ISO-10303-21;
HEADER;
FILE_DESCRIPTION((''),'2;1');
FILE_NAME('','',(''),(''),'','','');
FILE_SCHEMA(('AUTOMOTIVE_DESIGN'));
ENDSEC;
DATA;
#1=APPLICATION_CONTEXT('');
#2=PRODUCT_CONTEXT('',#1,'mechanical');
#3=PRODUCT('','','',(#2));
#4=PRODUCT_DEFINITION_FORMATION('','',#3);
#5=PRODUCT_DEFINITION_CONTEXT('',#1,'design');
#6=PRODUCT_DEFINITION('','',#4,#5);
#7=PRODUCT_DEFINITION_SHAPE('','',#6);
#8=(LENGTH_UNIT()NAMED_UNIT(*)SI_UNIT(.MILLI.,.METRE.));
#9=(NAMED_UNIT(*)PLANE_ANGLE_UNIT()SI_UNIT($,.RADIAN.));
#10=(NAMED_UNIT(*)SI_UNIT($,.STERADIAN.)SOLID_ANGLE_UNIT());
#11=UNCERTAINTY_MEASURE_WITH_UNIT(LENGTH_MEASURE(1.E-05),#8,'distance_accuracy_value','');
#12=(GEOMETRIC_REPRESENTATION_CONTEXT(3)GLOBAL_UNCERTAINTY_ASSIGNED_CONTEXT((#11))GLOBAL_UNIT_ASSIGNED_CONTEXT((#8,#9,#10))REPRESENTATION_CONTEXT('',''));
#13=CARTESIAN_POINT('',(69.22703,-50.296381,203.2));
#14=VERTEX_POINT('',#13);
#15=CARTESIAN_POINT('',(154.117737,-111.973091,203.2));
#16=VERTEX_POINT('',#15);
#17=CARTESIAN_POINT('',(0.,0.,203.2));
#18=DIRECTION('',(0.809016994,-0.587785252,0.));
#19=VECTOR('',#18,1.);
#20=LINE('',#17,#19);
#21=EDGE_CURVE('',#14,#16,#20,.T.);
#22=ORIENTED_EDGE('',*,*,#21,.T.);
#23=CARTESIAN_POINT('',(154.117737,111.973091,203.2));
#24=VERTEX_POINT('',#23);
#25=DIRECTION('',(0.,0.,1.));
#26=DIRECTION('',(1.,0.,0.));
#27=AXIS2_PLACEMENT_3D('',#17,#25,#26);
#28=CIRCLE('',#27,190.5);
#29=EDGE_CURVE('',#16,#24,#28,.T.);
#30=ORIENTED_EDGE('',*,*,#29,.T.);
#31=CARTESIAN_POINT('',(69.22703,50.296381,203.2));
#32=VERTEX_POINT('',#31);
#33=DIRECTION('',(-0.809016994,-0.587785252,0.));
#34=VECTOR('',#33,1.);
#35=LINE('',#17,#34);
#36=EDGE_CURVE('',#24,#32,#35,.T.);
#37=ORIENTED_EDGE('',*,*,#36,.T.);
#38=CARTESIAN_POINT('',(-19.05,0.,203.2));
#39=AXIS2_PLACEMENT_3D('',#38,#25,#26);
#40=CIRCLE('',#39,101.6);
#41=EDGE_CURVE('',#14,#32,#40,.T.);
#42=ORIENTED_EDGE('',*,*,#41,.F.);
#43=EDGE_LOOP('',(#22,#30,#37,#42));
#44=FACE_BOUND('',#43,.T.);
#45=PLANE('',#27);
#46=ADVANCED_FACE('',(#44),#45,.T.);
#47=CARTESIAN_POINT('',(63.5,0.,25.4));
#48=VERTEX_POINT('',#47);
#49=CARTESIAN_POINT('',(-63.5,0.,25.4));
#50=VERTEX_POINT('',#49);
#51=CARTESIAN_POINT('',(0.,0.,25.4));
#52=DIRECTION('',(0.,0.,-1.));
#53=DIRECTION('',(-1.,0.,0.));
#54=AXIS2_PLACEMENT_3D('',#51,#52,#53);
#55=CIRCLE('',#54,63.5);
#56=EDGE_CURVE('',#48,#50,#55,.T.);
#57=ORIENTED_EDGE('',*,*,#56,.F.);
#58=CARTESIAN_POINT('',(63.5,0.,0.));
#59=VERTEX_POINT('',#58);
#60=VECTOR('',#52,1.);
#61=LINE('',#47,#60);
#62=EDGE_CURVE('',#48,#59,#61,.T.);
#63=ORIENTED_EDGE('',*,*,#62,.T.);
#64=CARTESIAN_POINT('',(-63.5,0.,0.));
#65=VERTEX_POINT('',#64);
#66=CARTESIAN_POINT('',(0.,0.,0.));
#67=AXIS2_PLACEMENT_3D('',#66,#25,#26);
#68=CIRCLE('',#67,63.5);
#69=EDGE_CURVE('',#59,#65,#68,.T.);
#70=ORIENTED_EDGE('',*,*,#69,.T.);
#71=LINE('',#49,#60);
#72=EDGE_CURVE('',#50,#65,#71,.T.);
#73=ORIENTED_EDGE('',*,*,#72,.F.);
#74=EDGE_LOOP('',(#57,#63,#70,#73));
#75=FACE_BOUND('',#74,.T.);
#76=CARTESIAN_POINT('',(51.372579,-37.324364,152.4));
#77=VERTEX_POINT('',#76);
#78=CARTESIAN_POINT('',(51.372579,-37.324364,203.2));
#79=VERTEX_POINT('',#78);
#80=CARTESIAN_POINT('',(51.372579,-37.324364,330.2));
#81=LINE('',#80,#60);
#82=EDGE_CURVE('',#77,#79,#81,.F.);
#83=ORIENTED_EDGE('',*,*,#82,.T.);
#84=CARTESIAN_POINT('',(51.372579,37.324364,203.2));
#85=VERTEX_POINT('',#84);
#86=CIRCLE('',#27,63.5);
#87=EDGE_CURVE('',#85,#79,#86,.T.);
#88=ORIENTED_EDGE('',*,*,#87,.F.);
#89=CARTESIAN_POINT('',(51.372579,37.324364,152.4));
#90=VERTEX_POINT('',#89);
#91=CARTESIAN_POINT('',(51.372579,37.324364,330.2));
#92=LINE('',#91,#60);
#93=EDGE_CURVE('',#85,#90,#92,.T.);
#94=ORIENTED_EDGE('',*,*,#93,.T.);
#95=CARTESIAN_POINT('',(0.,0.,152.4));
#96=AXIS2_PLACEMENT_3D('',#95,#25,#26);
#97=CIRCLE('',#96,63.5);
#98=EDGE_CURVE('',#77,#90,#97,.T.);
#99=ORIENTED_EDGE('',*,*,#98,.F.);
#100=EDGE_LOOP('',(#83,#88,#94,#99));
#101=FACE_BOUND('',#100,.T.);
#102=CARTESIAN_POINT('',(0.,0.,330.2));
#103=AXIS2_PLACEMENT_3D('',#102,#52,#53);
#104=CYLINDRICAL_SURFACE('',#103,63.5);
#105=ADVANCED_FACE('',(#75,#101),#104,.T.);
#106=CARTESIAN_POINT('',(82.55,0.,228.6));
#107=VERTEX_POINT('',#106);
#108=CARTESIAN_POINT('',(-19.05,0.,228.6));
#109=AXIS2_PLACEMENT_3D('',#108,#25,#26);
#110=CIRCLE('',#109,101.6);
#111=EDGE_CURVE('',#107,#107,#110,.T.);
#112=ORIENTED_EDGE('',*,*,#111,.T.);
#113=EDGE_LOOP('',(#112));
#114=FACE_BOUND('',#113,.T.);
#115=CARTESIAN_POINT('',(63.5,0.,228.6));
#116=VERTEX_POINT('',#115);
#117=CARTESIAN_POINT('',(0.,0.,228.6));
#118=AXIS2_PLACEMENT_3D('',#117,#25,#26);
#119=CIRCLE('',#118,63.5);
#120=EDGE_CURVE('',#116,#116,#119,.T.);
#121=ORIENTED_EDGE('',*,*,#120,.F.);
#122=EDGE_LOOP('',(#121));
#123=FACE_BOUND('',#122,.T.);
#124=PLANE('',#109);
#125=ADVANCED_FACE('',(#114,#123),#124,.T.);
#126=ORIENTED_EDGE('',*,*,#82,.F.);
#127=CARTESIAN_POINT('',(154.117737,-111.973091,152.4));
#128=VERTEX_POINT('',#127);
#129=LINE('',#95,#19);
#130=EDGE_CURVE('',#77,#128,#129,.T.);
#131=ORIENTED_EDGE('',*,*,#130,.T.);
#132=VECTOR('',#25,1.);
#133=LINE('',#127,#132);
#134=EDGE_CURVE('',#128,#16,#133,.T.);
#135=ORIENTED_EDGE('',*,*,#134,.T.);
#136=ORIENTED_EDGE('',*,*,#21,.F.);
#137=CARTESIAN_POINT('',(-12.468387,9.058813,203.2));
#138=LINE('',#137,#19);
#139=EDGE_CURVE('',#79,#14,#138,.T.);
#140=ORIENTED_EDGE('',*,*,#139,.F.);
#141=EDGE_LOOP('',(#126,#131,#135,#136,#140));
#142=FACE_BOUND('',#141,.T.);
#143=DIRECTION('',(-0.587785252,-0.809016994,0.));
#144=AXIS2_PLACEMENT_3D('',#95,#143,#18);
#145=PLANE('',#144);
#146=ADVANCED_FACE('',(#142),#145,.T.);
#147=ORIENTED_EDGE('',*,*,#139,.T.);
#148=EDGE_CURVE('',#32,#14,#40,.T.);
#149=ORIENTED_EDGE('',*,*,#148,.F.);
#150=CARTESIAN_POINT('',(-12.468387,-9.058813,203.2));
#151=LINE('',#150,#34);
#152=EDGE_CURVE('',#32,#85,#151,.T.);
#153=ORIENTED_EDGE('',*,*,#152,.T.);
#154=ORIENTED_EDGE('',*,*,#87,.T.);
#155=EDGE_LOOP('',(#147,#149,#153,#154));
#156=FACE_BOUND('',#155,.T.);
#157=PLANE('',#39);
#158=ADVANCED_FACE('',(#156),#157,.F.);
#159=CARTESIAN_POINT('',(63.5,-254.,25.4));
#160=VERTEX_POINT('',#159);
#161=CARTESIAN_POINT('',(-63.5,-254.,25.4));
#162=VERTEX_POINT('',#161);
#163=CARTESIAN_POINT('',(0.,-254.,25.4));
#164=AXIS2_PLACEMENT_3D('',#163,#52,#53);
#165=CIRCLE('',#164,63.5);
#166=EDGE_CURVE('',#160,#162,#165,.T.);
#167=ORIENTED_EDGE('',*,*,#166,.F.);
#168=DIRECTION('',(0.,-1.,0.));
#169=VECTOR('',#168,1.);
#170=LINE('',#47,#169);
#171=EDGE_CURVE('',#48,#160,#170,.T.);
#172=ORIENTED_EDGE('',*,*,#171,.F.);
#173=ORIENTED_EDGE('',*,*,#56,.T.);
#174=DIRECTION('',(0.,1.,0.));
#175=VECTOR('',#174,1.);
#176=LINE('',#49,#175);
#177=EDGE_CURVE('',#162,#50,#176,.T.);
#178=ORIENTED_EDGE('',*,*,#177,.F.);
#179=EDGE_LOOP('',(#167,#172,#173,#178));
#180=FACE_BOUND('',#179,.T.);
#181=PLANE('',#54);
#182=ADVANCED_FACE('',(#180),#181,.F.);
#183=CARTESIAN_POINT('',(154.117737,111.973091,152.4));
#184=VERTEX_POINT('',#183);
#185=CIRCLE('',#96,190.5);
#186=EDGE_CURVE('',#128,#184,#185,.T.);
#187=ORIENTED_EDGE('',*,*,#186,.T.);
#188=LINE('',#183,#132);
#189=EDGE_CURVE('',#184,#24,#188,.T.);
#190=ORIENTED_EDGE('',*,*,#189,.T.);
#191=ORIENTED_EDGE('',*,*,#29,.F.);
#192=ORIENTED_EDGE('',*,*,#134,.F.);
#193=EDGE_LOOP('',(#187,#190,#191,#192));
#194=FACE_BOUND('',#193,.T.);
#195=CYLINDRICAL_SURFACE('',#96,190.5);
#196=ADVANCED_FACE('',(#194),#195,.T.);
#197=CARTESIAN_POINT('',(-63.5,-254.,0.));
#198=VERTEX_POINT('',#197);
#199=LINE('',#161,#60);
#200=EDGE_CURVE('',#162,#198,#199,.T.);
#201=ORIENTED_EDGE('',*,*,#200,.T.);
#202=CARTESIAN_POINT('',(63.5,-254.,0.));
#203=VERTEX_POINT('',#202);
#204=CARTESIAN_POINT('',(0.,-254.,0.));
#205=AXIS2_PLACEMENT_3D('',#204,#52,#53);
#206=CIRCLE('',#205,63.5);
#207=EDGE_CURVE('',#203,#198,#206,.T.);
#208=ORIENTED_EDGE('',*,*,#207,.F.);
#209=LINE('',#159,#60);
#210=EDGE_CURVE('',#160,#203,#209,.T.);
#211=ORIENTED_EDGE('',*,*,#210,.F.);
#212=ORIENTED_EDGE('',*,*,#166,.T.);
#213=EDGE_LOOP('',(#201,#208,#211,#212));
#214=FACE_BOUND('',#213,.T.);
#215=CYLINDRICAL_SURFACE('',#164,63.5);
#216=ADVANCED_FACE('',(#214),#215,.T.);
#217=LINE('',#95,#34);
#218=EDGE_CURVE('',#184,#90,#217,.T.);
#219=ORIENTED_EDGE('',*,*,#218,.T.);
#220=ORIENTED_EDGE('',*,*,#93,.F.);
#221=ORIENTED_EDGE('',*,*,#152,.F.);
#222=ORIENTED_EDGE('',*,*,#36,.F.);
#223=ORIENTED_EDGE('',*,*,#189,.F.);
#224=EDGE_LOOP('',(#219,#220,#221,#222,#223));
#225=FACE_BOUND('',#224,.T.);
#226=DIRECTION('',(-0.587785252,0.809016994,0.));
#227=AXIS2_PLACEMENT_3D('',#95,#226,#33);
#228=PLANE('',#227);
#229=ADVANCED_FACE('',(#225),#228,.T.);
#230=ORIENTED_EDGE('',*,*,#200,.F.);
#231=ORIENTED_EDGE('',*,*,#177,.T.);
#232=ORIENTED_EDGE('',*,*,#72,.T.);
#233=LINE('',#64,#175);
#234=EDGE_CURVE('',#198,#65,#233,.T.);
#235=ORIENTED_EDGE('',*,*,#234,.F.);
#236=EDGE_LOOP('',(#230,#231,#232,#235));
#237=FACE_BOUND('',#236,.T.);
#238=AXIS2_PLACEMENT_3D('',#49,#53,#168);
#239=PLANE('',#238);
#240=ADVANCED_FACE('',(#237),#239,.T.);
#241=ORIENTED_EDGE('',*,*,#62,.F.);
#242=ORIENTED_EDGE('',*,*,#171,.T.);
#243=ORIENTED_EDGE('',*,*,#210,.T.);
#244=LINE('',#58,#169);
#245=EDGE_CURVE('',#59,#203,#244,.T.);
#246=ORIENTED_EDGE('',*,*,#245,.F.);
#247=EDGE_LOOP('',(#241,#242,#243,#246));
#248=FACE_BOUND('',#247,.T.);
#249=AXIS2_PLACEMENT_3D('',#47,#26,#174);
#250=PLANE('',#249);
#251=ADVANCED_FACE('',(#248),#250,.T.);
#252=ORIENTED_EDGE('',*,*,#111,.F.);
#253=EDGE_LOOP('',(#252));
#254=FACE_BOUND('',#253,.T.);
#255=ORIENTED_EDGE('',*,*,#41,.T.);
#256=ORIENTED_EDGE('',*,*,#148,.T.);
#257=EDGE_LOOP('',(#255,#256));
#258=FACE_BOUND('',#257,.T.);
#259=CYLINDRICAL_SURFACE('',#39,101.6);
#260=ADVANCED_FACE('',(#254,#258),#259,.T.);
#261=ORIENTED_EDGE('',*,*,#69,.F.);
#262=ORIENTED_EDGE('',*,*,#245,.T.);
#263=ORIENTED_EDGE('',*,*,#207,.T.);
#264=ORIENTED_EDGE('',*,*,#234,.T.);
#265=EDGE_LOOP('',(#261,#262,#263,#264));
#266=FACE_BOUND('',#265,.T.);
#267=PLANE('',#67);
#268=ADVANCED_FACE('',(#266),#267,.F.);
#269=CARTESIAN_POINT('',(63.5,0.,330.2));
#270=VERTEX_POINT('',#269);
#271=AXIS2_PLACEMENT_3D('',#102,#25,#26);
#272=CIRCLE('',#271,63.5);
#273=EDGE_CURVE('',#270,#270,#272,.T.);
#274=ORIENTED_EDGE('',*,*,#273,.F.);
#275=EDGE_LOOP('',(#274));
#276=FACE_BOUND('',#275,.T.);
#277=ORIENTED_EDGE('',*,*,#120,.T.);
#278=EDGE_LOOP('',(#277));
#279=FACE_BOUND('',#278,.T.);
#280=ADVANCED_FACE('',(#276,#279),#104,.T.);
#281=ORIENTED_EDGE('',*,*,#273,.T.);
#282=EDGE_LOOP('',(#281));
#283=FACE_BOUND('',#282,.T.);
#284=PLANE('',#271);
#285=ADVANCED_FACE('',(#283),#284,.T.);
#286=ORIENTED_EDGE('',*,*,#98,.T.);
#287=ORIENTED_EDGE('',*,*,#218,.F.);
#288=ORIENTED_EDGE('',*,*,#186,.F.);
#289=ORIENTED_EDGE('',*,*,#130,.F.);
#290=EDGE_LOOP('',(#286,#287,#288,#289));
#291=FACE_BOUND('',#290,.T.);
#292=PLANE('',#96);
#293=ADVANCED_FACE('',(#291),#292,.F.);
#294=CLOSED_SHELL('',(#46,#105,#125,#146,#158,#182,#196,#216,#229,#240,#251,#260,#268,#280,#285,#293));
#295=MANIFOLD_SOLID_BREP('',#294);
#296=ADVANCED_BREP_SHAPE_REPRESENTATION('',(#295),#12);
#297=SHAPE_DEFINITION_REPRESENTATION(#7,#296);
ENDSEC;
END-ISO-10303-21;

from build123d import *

# Parameters (mm, degrees)
SKETCH1_R           = 63.5
BOSS_EXTRUDE1_DEPTH = 330.2
BOSS_EXTRUDE2_DEPTH = 25.4
SKETCH3_R           = 101.6
BOSS_EXTRUDE3_DEPTH = 25.4
BOSS_EXTRUDE4_DEPTH = 50.8


with BuildPart() as part:
    # Sketch1 → Boss-Extrude1 (new body)
    with BuildSketch(Plane.XY):
        Circle(SKETCH1_R)
    extrude(amount=BOSS_EXTRUDE1_DEPTH)

    # Sketch2 → Boss-Extrude2 (add)
    with BuildSketch(Plane(origin=(0, 0, 0), x_dir=(-1, 0, 0), z_dir=(0, 0, -1))):
        with BuildLine():
            Line((63.5, 0), (63.5, -254))
            ThreePointArc((63.5, -254), (0, -317.5), (-63.5, -254))
            Line((-63.5, -254), (-63.5, 0))
            ThreePointArc((-63.5, 0), (0, 63.5), (63.5, 0))
        make_face()
    extrude(amount=-BOSS_EXTRUDE2_DEPTH)

    # Sketch3 → Boss-Extrude3 (add)
    with BuildSketch(Plane.XY.offset(228.6)):
        with Locations((-19.05, 0)):
            Circle(SKETCH3_R)
    extrude(amount=-BOSS_EXTRUDE3_DEPTH)

    # Sketch5 → Boss-Extrude4 (add)
    with BuildSketch(Plane.XY.offset(203.2)):
        with BuildLine():
            Line((0, 0), (154.117737428, 111.973090562))
            ThreePointArc((154.117737428, 111.973090562), (190.5, 0), (154.117737428, -111.973090562))
            Line((154.117737428, -111.973090562), (0, 0))
        make_face()
    extrude(amount=-BOSS_EXTRUDE4_DEPTH)


solid = part.part
